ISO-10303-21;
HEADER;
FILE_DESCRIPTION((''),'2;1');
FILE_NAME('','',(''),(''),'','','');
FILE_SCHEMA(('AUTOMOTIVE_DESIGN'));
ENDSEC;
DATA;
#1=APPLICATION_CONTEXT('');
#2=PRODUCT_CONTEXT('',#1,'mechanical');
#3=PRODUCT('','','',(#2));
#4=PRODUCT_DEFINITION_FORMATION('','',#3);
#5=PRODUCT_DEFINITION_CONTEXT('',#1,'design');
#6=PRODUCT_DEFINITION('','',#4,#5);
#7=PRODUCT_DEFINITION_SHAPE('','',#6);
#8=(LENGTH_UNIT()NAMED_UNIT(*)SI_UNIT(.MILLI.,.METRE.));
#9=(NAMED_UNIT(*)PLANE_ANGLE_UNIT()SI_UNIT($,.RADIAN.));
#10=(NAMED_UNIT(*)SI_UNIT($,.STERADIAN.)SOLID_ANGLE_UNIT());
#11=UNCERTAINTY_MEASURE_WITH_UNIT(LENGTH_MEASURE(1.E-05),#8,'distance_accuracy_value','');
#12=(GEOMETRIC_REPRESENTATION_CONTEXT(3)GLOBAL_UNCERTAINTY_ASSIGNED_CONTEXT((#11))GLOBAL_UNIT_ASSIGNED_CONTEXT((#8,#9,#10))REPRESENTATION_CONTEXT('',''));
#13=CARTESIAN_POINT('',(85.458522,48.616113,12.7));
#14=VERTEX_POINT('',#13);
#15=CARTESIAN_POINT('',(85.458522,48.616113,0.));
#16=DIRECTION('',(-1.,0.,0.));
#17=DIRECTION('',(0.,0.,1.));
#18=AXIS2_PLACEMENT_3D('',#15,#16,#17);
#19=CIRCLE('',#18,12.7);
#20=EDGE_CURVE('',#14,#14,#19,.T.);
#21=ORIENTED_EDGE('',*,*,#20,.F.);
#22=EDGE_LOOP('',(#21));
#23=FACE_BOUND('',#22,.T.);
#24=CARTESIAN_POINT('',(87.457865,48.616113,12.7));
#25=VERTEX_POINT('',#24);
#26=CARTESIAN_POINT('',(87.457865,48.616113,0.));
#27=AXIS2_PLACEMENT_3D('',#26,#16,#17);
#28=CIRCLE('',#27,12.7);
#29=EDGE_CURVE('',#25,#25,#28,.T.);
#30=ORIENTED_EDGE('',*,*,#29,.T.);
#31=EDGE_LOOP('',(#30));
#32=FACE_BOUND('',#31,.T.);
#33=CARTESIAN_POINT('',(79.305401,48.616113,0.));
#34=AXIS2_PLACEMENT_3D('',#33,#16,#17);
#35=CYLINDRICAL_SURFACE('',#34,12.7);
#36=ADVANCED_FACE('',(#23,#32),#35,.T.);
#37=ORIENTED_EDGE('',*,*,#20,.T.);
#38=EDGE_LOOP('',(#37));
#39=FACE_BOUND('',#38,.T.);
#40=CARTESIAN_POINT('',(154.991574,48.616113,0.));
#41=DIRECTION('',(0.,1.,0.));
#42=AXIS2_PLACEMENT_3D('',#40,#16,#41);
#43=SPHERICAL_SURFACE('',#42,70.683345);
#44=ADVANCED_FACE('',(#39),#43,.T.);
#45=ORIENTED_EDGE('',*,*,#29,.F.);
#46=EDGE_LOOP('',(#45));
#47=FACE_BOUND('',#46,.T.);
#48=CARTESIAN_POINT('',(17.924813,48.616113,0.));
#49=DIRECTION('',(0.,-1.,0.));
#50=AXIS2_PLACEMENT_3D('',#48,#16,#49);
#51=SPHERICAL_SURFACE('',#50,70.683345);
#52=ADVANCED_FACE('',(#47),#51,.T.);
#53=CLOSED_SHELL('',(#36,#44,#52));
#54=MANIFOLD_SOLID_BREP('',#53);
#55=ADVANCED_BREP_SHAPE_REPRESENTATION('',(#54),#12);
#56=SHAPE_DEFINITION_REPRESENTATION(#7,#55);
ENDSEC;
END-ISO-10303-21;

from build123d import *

# Parameters (mm, degrees)
SKETCH_1_ONE_SIDE_W = 1.999342857
SKETCH_1_ONE_SIDE_H = 12.7


with BuildPart() as part:
    # 草图1 one side → 旋转1 (revolve)
    with BuildSketch(Plane.XY, mode=Mode.PRIVATE) as revolve_1_sk:
        with Locations((86.458193775, 54.966113023)):
            Rectangle(SKETCH_1_ONE_SIDE_W, SKETCH_1_ONE_SIDE_H)
        with BuildLine():
            Line((84.308228918, 48.616113023), (85.458522346, 48.616113023))
            Line((85.458522346, 48.616113023), (85.458522346, 61.316113023))
            ThreePointArc((85.458522346, 61.316113023), (84.596389659, 54.992106573), (84.308228918, 48.616113023))
        make_face()
        with BuildLine():
            Line((87.457865203, 48.616113023), (88.608158632, 48.616113023))
            ThreePointArc((88.608158632, 48.616113023), (88.31999789, 54.992106573), (87.457865203, 61.316113023))
            Line((87.457865203, 61.316113023), (87.457865203, 48.616113023))
        make_face()
    revolve(revolve_1_sk.sketch.rotate(Axis((79.305401351, 48.616113023, 0), (1, 0, 0)), 90), axis=Axis((79.305401351, 48.616113023, 0), (1, 0, 0)))  # turned: the seam where the file's is


solid = part.part
